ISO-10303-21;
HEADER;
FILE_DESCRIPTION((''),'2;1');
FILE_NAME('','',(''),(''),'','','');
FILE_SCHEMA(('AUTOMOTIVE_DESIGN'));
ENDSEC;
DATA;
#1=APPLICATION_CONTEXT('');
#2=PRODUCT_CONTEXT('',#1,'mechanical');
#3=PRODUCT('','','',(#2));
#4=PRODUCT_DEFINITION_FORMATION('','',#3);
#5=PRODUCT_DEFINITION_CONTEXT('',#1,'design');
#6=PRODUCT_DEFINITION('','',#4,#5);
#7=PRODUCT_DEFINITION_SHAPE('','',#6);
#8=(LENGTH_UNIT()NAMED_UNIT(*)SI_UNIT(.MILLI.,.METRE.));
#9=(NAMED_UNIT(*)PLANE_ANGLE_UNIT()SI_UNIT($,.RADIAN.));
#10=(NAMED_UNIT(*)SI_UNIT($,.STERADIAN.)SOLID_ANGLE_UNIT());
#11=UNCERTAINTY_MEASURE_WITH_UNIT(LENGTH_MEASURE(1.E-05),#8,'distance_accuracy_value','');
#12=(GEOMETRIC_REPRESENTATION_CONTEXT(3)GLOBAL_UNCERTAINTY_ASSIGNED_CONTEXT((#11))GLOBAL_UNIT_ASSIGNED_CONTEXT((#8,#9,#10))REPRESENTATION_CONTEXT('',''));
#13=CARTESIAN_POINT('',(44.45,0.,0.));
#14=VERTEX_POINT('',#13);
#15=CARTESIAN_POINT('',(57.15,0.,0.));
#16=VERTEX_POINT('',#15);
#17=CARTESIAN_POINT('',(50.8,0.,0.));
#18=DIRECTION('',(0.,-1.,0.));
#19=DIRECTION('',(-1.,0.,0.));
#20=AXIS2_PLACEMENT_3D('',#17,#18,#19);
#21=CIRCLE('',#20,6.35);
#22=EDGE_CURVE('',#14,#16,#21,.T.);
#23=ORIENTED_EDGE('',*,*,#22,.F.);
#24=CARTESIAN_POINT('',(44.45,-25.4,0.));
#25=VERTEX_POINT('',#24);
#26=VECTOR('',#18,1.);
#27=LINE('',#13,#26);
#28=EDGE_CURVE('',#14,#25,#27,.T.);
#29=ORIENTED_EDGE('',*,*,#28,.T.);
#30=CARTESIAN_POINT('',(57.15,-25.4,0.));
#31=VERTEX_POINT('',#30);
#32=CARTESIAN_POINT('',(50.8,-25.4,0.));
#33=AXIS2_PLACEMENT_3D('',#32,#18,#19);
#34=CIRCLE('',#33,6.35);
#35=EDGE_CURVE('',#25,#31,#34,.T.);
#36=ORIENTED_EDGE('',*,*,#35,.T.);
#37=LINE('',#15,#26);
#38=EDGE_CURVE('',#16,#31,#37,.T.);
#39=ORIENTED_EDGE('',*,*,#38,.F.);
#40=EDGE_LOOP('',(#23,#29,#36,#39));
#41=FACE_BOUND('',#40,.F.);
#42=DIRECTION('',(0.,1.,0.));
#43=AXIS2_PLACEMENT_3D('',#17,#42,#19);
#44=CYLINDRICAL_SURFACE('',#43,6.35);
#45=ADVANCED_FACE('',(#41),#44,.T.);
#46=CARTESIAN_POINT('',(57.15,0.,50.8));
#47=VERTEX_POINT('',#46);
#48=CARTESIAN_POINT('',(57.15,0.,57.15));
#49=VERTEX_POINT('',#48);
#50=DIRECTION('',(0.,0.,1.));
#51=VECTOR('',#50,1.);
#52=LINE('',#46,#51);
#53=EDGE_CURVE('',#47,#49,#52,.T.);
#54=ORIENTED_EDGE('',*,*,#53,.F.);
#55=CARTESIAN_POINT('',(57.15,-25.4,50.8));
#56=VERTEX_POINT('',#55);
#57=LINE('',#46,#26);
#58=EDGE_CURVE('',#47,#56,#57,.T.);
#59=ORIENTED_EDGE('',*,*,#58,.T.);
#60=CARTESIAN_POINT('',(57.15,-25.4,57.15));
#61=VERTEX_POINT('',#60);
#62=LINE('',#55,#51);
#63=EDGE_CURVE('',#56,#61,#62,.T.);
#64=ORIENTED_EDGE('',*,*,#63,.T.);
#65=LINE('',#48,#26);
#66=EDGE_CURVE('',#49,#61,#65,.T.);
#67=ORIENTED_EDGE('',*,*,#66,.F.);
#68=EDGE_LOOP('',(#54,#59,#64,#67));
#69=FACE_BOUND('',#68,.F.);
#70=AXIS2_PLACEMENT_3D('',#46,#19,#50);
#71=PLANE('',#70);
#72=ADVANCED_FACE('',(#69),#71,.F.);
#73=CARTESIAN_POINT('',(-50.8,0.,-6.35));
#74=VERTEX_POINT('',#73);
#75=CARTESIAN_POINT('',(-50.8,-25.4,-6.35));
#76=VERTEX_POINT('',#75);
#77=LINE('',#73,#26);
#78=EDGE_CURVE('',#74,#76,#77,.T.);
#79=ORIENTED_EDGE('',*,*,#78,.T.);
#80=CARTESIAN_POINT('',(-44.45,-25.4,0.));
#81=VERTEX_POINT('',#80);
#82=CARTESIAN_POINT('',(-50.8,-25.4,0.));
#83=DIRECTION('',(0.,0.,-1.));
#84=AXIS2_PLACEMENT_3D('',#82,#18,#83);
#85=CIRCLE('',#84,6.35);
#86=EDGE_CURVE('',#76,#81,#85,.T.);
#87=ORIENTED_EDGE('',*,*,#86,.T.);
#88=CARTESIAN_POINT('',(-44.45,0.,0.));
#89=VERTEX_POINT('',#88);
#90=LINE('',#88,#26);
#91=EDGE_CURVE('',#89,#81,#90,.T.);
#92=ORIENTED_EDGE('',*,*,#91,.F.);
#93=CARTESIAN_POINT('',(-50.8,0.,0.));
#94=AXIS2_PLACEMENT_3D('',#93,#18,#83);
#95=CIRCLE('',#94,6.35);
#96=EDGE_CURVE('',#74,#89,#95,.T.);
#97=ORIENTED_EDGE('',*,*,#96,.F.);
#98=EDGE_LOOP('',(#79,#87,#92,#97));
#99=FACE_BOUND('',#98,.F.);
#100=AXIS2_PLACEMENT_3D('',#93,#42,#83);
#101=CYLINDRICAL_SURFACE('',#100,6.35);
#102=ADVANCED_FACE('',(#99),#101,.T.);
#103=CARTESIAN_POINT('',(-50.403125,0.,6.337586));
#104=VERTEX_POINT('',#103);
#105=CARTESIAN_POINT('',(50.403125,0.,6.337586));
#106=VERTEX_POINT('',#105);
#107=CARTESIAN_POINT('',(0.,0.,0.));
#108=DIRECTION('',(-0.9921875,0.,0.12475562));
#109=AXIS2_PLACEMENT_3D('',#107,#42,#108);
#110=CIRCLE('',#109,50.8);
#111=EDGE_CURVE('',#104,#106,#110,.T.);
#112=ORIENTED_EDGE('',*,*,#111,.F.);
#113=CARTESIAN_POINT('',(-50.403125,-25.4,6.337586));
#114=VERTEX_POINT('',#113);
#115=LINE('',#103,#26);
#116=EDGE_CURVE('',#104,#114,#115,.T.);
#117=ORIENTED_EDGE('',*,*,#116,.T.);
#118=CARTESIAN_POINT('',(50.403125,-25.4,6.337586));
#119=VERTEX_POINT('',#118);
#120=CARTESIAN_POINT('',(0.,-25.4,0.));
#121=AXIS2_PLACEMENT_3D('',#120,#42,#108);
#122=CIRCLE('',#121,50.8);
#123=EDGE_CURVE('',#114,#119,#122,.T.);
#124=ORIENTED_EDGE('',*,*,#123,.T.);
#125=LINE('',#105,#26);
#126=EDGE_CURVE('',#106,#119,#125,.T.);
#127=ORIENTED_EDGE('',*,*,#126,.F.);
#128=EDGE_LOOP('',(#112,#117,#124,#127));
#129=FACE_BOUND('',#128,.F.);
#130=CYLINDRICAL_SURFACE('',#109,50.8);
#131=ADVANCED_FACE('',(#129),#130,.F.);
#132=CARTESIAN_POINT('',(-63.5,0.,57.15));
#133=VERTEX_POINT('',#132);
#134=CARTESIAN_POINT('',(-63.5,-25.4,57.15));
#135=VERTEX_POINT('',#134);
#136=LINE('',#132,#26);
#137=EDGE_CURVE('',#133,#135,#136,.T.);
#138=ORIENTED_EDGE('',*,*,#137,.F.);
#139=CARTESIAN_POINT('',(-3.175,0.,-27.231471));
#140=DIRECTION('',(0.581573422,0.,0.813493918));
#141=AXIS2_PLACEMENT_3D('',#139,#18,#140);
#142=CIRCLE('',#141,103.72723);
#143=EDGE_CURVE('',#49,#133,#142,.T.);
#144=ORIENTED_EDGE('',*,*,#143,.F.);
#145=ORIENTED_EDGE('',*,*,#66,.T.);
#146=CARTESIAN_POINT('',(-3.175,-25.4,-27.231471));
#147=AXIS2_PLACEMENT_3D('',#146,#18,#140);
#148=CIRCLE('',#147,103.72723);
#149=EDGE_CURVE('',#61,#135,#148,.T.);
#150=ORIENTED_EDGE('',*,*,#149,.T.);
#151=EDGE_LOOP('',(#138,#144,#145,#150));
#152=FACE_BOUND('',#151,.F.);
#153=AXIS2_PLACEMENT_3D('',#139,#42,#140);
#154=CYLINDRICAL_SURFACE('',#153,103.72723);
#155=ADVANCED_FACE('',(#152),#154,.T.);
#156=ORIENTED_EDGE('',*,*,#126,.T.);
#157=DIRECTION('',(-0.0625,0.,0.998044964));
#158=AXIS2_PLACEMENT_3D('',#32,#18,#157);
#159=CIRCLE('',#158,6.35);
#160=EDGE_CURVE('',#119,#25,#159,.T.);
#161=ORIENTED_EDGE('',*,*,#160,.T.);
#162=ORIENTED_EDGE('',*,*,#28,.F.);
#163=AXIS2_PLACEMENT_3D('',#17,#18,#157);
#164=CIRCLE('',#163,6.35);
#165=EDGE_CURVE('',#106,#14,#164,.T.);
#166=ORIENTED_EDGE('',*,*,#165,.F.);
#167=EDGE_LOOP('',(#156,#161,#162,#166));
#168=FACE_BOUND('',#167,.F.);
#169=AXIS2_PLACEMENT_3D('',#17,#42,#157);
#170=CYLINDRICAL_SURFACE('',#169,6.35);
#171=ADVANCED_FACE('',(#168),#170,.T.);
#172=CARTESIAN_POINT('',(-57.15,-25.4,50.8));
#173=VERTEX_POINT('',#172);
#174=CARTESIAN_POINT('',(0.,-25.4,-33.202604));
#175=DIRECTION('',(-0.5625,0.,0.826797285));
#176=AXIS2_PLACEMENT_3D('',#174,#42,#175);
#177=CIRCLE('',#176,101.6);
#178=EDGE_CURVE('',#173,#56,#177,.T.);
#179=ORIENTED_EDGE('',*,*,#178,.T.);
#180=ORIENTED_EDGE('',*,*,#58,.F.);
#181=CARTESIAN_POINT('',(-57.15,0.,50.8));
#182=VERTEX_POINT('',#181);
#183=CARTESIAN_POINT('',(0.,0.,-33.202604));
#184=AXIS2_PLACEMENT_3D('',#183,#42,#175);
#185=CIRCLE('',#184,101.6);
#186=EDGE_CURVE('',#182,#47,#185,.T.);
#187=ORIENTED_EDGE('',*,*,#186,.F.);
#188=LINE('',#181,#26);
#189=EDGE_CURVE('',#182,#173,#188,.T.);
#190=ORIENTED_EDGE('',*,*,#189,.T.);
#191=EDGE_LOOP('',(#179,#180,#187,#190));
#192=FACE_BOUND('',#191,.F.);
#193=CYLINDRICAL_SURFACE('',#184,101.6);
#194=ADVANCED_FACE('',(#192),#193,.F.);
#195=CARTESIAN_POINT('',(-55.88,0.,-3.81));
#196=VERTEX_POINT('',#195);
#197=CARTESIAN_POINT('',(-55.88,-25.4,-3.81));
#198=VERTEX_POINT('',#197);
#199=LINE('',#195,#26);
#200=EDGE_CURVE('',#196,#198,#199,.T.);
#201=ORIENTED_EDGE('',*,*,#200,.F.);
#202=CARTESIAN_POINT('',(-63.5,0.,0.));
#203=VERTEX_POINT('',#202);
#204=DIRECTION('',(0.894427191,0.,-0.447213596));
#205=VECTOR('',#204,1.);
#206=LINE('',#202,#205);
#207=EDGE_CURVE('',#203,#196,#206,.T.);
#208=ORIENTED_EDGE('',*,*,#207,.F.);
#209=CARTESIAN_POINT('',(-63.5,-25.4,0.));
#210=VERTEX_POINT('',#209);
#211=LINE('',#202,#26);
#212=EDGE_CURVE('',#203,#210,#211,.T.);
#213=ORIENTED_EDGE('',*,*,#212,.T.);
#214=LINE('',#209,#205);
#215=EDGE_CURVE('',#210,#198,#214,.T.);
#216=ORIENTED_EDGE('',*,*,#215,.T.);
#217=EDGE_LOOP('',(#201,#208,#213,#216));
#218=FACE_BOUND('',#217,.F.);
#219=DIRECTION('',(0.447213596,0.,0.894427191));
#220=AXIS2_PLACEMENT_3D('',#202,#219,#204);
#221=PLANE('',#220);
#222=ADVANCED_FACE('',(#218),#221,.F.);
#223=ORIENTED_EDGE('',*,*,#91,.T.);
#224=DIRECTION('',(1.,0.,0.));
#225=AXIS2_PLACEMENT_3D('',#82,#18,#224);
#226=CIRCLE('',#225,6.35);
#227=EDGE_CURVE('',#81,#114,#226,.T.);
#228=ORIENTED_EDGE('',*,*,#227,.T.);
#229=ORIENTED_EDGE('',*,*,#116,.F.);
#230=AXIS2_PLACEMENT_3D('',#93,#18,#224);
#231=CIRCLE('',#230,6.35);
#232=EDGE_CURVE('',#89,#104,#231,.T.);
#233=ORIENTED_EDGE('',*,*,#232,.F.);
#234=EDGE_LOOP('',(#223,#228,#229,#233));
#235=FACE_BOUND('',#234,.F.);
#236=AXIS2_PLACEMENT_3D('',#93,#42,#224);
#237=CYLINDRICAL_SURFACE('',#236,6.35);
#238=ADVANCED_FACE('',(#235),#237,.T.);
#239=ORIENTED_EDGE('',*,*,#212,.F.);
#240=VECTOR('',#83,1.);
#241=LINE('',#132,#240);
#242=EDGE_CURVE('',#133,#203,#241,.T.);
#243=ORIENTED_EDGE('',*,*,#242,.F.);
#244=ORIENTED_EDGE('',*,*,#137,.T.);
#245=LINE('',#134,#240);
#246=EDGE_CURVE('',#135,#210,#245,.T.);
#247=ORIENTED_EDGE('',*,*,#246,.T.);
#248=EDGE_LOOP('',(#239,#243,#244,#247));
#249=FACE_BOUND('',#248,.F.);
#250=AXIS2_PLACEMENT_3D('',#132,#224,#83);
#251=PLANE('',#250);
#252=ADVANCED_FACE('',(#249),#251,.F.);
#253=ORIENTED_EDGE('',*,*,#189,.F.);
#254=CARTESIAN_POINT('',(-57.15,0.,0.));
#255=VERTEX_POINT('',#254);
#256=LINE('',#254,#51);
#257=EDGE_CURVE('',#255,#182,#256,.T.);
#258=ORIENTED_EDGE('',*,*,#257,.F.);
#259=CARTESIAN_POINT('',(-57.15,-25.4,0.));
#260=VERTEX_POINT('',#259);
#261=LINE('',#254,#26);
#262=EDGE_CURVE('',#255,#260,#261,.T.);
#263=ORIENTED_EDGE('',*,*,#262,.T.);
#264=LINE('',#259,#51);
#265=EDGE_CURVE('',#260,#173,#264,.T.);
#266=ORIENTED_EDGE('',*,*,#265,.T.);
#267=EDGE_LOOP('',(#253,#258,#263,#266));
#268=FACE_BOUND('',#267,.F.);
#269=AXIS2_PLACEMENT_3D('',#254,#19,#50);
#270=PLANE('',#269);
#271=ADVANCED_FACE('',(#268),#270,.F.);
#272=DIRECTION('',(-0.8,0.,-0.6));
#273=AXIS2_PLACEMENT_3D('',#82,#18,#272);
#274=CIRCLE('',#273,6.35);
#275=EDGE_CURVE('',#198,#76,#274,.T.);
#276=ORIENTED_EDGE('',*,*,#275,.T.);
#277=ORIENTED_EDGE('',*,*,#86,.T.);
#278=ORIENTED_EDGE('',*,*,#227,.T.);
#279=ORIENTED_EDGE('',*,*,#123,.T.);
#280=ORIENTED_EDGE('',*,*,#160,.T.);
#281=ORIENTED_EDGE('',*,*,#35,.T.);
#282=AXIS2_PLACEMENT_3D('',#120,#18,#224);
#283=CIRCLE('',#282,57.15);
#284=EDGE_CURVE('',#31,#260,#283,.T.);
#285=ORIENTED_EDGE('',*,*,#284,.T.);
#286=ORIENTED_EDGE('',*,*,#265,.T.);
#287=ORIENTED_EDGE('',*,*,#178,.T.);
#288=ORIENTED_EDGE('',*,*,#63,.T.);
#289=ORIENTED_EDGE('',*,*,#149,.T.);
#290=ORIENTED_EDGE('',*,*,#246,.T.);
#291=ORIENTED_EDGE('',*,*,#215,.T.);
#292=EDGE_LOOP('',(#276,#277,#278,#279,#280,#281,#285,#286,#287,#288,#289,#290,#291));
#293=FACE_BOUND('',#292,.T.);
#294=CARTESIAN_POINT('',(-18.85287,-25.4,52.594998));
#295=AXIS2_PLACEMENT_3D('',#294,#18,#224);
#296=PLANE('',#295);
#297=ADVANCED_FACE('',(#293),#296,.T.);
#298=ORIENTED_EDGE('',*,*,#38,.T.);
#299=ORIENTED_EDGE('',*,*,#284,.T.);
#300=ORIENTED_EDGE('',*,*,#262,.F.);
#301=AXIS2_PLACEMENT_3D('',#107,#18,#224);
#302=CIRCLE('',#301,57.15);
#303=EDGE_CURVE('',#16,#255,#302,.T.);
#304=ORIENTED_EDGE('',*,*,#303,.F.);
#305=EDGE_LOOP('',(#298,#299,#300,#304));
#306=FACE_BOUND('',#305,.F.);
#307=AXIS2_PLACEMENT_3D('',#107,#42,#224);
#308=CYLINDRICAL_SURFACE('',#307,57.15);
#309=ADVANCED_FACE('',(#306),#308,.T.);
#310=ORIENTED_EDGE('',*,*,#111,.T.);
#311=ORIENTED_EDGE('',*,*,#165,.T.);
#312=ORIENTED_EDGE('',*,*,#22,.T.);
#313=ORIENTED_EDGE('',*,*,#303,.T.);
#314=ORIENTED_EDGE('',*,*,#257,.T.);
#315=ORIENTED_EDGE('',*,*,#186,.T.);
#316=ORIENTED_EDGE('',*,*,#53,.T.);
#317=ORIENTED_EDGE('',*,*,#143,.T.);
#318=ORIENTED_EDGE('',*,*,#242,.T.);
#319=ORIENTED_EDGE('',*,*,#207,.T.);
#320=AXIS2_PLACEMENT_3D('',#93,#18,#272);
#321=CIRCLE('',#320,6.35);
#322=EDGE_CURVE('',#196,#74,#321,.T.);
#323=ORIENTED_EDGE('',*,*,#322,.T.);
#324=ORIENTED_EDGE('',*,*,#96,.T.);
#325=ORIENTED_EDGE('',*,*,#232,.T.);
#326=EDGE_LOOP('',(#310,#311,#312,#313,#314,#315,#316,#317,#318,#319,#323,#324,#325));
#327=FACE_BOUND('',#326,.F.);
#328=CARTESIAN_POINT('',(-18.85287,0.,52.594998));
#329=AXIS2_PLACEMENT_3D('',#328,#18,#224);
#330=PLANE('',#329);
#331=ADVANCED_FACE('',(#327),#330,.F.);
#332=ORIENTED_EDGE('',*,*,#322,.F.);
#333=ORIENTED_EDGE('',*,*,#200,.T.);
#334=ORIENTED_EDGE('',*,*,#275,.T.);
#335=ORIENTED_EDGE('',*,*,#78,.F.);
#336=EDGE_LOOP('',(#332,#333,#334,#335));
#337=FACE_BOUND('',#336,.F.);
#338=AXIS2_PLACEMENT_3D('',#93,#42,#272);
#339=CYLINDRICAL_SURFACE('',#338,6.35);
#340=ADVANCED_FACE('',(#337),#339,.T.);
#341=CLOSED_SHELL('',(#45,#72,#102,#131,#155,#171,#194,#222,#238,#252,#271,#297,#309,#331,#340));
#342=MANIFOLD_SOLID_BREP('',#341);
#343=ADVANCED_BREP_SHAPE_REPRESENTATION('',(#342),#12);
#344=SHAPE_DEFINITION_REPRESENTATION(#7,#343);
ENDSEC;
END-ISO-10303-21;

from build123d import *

# Parameters (mm, degrees)
F1_DEPTH = 25.4


with BuildPart() as f1:
    # F0 (on Front) → F1 (new body)
    with BuildSketch(Plane.XZ):
        with BuildLine():
            Line((-63.5, 0), (-57.15, 0))
            Line((-57.15, 0), (-57.15, 50.8))
            ThreePointArc((-57.15, 50.8), (0, 68.3973958737), (57.15, 50.8))
            Line((57.15, 50.8), (57.15, 57.15))
            ThreePointArc((57.15, 57.15), (-3.175, 76.495759208), (-63.5, 57.15))
            Line((-63.5, 57.15), (-63.5, 0))
        make_face()
        with BuildLine():
            ThreePointArc((-50.8, -6.35), (-46.3098719395, -4.4901280605), (-44.45, 0))
            Line((-44.45, 0), (-50.8, 0))
            ThreePointArc((-50.8, 0), (-50.700684167, 3.175), (-50.403125, 6.3375855209))
            ThreePointArc((-50.403125, 6.3375855209), (-55.1475478002, 4.6283180665), (-57.15, 0))
            ThreePointArc((-57.15, 0), (-56.8241389426, -2.0080463142), (-55.88, -3.81))
            Line((-55.88, -3.81), (-50.8, -6.35))
        make_face()
        with BuildLine():
            ThreePointArc((-57.15, 0), (-55.1475478002, 4.6283180665), (-50.403125, 6.3375855209))
            ThreePointArc((-50.403125, 6.3375855209), (0, 50.8), (50.403125, 6.3375855209))
            ThreePointArc((50.403125, 6.3375855209), (55.1475478002, 4.6283180665), (57.15, 0))
            ThreePointArc((57.15, 0), (0, 57.15), (-57.15, 0))
        make_face()
        with BuildLine():
            Line((-50.8, 0), (-44.45, 0))
            ThreePointArc((-44.45, 0), (-46.1716819335, 4.3475478002), (-50.403125, 6.3375855209))
            ThreePointArc((-50.403125, 6.3375855209), (-50.700684167, 3.175), (-50.8, 0))
        make_face()
        with BuildLine():
            ThreePointArc((50.403125, 6.3375855209), (46.1716819335, 4.3475478002), (44.45, 0))
            Line((44.45, 0), (50.8, 0))
            ThreePointArc((50.8, 0), (50.700684167, 3.175), (50.403125, 6.3375855209))
        make_face()
        with BuildLine():
            Line((50.8, 0), (44.45, 0))
            ThreePointArc((44.45, 0), (50.8, -6.35), (57.15, 0))
            ThreePointArc((57.15, 0), (55.1475478002, 4.6283180665), (50.403125, 6.3375855209))
            ThreePointArc((50.403125, 6.3375855209), (50.700684167, 3.175), (50.8, 0))
        make_face()
        with BuildLine():
            Line((-63.5, 0), (-55.88, -3.81))
            ThreePointArc((-55.88, -3.81), (-56.8241389426, -2.0080463142), (-57.15, 0))
            Line((-57.15, 0), (-63.5, 0))
        make_face()
        with BuildLine():
            ThreePointArc((-55.88, -3.81), (-53.6398063314, -5.6796126628), (-50.8, -6.35))
            Line((-50.8, -6.35), (-55.88, -3.81))
        make_face()
    extrude(amount=F1_DEPTH)


solid = f1.part
